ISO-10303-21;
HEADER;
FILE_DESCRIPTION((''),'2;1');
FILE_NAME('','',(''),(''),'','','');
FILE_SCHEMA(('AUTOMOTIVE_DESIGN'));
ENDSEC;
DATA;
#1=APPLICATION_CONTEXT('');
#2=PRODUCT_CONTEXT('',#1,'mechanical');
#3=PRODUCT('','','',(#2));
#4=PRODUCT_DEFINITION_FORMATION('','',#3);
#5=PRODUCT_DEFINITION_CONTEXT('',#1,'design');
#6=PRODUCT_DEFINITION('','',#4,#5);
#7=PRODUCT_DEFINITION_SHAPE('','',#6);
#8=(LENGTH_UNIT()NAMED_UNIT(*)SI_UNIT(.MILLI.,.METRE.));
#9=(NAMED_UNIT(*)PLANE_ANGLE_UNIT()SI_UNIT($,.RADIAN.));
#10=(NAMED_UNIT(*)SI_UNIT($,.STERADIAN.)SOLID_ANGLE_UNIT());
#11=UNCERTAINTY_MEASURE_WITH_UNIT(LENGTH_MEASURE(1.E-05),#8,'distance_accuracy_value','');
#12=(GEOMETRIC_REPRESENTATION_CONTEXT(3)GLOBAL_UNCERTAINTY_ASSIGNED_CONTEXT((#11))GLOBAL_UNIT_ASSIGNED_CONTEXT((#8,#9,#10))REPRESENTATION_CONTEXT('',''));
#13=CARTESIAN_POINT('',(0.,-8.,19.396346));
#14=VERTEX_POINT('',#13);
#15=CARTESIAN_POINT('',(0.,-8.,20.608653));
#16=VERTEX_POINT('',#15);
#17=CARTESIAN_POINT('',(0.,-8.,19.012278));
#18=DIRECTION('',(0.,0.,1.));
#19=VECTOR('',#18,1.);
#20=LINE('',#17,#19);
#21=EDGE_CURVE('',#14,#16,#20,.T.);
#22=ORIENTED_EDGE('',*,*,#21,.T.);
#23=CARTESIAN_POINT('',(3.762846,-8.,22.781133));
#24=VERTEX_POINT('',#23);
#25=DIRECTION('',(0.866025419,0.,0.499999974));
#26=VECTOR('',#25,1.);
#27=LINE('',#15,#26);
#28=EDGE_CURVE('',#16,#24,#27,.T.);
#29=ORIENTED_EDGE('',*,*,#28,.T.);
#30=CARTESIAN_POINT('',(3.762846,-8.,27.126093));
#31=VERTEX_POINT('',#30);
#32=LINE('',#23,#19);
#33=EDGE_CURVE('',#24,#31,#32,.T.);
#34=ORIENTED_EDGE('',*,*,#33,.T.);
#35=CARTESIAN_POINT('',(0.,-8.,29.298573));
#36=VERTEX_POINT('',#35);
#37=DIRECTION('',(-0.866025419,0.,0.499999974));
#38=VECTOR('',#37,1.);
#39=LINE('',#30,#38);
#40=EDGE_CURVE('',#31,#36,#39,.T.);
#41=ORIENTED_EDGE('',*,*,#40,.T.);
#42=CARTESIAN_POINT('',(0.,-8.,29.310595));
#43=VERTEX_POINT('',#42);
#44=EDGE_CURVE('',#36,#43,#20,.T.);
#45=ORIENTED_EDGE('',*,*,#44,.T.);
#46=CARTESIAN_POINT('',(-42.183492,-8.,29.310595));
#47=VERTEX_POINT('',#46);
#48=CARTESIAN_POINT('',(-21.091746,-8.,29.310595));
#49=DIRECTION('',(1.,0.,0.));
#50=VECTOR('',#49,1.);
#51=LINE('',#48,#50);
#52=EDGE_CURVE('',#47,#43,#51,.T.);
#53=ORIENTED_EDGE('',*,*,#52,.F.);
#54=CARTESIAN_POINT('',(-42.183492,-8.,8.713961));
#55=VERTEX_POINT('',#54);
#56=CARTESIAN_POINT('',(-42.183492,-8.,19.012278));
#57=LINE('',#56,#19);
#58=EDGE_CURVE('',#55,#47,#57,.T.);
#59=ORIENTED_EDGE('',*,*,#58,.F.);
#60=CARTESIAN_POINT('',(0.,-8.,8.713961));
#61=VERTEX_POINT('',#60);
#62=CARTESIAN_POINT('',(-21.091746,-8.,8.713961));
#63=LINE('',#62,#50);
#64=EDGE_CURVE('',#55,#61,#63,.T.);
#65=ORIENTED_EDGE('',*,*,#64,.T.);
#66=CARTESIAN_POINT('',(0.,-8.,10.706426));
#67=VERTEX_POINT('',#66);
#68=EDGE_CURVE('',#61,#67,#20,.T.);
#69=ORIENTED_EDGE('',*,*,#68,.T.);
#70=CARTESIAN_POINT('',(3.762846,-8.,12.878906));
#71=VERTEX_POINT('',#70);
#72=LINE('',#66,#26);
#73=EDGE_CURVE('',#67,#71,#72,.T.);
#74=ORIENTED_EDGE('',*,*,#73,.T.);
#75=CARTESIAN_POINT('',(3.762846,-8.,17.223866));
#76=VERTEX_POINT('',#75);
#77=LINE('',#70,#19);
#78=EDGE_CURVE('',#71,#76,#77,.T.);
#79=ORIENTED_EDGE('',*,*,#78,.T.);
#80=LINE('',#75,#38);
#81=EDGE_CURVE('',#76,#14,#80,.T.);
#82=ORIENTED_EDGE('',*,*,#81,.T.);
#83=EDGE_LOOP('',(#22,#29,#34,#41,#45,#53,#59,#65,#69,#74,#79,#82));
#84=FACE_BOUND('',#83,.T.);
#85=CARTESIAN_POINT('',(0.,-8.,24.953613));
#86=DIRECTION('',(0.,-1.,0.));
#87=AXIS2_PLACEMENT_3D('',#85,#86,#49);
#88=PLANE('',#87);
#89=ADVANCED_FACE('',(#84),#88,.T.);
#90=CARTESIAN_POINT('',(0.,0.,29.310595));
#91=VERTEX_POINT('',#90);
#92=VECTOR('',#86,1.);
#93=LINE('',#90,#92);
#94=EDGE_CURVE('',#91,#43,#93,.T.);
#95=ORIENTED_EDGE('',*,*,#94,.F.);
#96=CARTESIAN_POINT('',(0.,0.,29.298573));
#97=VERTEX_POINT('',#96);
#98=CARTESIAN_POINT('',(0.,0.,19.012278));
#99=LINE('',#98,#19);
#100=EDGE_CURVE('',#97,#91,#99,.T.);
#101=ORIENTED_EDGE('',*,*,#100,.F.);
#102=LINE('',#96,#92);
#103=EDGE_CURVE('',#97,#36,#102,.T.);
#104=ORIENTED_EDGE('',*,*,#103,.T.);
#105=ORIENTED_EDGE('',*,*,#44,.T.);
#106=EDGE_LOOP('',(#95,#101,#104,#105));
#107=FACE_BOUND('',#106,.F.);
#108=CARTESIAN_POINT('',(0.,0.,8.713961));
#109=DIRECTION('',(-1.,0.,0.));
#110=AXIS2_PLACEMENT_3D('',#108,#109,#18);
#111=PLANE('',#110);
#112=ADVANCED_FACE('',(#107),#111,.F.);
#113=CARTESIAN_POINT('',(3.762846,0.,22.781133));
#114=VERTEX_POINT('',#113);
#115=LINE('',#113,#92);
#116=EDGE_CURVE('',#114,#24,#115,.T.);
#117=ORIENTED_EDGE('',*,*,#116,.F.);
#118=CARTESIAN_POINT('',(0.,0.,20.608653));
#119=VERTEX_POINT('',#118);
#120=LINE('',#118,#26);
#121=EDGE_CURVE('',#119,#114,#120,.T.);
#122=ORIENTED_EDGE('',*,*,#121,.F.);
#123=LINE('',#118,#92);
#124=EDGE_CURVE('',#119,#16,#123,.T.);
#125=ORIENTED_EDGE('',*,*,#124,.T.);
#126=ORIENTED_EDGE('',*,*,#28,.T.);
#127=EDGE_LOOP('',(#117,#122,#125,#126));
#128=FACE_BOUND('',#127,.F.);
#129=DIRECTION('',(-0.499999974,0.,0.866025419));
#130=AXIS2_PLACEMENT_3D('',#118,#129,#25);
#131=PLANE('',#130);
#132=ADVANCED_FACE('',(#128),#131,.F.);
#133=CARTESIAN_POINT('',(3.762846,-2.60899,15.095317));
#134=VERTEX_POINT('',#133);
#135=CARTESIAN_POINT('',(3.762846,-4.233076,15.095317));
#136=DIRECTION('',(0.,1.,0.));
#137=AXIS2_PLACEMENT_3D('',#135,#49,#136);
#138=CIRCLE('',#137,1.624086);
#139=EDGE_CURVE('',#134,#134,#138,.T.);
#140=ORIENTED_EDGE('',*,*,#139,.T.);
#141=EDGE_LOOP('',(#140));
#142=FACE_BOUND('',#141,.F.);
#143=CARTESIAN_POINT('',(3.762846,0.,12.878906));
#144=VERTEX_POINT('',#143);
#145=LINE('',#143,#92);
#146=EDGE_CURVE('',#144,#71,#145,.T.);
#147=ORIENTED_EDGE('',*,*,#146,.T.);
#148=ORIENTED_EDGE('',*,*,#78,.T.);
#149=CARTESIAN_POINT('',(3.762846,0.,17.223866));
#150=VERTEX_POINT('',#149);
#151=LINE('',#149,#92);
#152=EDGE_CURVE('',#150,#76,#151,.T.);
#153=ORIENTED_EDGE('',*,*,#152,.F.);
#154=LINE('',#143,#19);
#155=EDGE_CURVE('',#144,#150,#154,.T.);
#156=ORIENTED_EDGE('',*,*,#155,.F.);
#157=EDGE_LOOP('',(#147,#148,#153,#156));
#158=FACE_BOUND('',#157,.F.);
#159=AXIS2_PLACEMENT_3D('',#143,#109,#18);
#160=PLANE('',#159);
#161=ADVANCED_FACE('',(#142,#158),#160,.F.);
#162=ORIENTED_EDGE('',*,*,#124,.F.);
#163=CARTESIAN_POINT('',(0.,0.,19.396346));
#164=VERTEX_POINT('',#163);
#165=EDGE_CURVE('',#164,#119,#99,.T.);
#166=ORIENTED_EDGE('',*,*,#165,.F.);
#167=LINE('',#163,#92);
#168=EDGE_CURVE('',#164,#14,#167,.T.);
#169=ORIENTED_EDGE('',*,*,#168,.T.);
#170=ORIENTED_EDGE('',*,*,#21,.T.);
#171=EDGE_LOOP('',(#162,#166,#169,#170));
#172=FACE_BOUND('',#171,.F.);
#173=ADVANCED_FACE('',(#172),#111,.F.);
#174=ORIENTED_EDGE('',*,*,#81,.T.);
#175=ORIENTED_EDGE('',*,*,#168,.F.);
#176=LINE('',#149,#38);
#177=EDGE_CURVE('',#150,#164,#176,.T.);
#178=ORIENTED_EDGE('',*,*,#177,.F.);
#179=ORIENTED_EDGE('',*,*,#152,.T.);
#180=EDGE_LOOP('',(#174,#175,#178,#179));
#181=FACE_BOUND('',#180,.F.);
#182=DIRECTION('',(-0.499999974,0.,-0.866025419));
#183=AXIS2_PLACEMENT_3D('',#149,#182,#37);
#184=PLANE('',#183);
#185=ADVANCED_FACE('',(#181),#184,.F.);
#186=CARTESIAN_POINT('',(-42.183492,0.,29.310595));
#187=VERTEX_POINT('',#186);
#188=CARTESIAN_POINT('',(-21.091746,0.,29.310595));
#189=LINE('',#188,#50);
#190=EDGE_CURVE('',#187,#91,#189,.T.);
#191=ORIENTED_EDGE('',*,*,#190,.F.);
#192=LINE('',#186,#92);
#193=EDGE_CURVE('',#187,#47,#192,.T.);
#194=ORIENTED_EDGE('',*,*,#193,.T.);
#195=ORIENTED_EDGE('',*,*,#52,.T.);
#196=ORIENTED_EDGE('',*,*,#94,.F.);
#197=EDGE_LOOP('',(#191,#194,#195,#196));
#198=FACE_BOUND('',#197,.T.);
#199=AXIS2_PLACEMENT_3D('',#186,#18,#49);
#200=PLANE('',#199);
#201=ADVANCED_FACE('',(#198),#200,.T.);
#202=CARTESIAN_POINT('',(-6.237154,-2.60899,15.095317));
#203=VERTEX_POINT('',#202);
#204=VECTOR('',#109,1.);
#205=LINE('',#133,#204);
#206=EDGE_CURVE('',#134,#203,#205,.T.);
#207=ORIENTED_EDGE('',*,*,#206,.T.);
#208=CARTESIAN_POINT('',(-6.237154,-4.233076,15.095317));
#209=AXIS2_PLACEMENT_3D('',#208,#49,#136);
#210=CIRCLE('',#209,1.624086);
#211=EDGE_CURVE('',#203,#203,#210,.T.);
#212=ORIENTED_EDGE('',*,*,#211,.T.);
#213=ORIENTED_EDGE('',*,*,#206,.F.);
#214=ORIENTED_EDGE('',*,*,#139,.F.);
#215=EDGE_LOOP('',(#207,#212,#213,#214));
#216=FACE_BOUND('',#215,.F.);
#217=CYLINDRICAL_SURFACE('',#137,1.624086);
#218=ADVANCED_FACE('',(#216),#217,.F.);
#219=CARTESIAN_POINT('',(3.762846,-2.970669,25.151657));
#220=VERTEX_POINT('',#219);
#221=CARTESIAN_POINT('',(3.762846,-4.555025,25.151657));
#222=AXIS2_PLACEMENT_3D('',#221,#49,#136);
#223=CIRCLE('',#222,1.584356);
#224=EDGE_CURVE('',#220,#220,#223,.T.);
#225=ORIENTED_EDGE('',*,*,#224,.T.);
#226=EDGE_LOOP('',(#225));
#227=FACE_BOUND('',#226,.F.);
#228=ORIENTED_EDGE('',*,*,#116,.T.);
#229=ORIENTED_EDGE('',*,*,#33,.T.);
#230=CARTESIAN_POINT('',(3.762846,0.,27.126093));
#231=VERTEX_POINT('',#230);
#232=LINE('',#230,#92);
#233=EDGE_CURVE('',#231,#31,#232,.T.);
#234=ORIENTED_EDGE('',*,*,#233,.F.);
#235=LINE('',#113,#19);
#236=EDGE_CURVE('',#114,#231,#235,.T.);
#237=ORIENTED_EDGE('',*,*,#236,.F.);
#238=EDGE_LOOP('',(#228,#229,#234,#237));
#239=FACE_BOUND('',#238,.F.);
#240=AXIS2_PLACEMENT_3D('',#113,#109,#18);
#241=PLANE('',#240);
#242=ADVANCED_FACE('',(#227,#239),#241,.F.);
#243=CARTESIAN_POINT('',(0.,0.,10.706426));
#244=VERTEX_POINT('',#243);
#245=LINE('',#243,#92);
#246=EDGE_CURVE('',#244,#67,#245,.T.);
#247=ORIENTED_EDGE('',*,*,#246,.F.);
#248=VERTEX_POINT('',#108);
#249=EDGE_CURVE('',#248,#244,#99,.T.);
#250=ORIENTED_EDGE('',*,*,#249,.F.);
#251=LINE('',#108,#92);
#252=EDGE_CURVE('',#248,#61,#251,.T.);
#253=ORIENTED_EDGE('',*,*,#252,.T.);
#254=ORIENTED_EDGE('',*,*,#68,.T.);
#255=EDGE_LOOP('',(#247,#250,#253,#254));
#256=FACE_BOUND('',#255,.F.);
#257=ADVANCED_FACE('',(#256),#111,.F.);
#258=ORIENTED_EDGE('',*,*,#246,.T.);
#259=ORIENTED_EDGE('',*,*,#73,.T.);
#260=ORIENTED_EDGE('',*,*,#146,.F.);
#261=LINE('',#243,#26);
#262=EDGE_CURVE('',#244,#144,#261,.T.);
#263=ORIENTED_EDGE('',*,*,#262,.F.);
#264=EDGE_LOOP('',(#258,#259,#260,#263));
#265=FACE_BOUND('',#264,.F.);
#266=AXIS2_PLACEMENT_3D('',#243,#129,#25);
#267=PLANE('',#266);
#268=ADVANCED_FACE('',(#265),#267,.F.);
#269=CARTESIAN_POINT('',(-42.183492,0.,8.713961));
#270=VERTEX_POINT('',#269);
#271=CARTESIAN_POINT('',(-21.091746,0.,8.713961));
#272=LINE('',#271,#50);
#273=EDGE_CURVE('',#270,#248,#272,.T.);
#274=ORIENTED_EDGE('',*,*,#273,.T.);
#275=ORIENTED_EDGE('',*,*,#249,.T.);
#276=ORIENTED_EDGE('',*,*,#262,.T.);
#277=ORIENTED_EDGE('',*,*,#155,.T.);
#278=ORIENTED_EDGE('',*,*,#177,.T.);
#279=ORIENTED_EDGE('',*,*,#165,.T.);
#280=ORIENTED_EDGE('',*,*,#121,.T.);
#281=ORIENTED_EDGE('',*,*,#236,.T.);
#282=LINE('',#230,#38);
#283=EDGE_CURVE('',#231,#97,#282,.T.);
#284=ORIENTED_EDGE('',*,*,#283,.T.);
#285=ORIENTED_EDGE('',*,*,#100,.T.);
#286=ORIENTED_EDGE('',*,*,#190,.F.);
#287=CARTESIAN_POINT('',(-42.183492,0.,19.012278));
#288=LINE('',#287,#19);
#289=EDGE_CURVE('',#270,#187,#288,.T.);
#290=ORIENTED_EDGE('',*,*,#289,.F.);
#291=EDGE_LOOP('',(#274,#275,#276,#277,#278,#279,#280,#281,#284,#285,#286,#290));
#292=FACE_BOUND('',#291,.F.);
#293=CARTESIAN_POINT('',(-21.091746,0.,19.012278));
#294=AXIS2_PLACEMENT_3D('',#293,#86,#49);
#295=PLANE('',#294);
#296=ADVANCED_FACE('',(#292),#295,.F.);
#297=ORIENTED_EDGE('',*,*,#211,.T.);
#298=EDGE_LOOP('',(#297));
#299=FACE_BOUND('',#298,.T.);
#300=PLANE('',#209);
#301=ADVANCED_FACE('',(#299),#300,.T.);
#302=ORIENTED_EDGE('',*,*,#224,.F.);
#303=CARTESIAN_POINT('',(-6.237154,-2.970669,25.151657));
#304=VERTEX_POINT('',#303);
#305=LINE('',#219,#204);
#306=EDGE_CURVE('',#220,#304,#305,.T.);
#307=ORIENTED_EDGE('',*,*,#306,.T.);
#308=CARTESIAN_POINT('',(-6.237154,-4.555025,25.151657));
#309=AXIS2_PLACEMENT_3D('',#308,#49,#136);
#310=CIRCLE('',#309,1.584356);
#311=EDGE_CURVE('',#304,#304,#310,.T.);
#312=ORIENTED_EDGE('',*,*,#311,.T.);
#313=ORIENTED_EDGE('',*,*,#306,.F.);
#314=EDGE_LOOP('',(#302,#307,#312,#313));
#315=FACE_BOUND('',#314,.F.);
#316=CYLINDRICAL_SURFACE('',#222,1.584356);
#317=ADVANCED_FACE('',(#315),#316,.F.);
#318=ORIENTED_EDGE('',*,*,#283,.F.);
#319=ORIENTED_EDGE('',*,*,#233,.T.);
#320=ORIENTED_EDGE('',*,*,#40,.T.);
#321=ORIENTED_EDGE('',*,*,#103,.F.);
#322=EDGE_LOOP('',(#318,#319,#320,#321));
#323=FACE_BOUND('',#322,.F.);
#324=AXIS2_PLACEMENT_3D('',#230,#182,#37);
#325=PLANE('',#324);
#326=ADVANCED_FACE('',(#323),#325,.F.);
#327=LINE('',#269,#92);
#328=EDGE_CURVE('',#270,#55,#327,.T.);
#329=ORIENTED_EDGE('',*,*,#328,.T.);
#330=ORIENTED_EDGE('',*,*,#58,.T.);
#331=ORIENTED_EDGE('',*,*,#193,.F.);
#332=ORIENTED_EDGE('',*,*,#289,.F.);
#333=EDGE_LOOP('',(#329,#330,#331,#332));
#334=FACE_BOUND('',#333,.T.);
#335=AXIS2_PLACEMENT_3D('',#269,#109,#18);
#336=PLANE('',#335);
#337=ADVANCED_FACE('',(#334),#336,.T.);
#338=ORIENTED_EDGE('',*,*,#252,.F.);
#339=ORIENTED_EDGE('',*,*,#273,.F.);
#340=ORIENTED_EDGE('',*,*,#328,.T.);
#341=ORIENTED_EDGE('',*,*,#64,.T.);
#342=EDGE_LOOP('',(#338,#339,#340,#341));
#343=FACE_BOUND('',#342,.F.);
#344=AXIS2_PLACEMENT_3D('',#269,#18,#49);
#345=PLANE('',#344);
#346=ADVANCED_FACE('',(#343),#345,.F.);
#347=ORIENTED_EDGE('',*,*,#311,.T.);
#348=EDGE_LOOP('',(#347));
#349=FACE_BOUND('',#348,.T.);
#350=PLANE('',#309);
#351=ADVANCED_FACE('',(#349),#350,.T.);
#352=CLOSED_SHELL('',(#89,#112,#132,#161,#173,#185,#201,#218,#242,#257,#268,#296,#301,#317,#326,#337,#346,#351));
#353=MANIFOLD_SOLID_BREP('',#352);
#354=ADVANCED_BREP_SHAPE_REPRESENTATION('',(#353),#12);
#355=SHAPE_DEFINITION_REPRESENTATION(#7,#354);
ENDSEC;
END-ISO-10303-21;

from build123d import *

# Parameters (mm, degrees)
F0_W     = 42.183492
F0_H     = 20.596634
F2_DEPTH = 8
F3_DEPTH = 8
F4_R     = 1.624086
F5_DEPTH = 10
F6_R     = 1.584356
F7_DEPTH = 10


with BuildPart() as f2:
    # F0 (on Front) → F2 (new body)
    with BuildSketch(Plane.XZ):
        with Locations((-21.091746, 19.012278)):
            Rectangle(F0_W, F0_H)
    extrude(amount=F2_DEPTH)

    # F1 (on face) → F3 (join)
    with BuildSketch(Plane.XZ):
        Polygon((-3.762846, 27.126093), (-3.762846, 22.781133), (0, 20.608653), (3.762846, 22.781133), (3.762846, 27.126093), (0, 29.298573), align=None)
        Polygon((3.762846, 12.878906), (3.762846, 17.223866), (0, 19.396346), (-3.762846, 17.223866), (-3.762846, 12.878906), (0, 10.706426), align=None)
    extrude(amount=F3_DEPTH)

    # F4 (on face) → F5 (cut)
    with BuildSketch(Plane.YZ.offset(3.762846)):
        with Locations((-4.233076, 15.095317)):
            Circle(F4_R)
    extrude(amount=-F5_DEPTH, mode=Mode.SUBTRACT)

    # F6 (on face) → F7 (cut)
    with BuildSketch(Plane.YZ.offset(3.762846)):
        with Locations((-4.555025, 25.151657)):
            Circle(F6_R)
    extrude(amount=-F7_DEPTH, mode=Mode.SUBTRACT)


solid = f2.part
